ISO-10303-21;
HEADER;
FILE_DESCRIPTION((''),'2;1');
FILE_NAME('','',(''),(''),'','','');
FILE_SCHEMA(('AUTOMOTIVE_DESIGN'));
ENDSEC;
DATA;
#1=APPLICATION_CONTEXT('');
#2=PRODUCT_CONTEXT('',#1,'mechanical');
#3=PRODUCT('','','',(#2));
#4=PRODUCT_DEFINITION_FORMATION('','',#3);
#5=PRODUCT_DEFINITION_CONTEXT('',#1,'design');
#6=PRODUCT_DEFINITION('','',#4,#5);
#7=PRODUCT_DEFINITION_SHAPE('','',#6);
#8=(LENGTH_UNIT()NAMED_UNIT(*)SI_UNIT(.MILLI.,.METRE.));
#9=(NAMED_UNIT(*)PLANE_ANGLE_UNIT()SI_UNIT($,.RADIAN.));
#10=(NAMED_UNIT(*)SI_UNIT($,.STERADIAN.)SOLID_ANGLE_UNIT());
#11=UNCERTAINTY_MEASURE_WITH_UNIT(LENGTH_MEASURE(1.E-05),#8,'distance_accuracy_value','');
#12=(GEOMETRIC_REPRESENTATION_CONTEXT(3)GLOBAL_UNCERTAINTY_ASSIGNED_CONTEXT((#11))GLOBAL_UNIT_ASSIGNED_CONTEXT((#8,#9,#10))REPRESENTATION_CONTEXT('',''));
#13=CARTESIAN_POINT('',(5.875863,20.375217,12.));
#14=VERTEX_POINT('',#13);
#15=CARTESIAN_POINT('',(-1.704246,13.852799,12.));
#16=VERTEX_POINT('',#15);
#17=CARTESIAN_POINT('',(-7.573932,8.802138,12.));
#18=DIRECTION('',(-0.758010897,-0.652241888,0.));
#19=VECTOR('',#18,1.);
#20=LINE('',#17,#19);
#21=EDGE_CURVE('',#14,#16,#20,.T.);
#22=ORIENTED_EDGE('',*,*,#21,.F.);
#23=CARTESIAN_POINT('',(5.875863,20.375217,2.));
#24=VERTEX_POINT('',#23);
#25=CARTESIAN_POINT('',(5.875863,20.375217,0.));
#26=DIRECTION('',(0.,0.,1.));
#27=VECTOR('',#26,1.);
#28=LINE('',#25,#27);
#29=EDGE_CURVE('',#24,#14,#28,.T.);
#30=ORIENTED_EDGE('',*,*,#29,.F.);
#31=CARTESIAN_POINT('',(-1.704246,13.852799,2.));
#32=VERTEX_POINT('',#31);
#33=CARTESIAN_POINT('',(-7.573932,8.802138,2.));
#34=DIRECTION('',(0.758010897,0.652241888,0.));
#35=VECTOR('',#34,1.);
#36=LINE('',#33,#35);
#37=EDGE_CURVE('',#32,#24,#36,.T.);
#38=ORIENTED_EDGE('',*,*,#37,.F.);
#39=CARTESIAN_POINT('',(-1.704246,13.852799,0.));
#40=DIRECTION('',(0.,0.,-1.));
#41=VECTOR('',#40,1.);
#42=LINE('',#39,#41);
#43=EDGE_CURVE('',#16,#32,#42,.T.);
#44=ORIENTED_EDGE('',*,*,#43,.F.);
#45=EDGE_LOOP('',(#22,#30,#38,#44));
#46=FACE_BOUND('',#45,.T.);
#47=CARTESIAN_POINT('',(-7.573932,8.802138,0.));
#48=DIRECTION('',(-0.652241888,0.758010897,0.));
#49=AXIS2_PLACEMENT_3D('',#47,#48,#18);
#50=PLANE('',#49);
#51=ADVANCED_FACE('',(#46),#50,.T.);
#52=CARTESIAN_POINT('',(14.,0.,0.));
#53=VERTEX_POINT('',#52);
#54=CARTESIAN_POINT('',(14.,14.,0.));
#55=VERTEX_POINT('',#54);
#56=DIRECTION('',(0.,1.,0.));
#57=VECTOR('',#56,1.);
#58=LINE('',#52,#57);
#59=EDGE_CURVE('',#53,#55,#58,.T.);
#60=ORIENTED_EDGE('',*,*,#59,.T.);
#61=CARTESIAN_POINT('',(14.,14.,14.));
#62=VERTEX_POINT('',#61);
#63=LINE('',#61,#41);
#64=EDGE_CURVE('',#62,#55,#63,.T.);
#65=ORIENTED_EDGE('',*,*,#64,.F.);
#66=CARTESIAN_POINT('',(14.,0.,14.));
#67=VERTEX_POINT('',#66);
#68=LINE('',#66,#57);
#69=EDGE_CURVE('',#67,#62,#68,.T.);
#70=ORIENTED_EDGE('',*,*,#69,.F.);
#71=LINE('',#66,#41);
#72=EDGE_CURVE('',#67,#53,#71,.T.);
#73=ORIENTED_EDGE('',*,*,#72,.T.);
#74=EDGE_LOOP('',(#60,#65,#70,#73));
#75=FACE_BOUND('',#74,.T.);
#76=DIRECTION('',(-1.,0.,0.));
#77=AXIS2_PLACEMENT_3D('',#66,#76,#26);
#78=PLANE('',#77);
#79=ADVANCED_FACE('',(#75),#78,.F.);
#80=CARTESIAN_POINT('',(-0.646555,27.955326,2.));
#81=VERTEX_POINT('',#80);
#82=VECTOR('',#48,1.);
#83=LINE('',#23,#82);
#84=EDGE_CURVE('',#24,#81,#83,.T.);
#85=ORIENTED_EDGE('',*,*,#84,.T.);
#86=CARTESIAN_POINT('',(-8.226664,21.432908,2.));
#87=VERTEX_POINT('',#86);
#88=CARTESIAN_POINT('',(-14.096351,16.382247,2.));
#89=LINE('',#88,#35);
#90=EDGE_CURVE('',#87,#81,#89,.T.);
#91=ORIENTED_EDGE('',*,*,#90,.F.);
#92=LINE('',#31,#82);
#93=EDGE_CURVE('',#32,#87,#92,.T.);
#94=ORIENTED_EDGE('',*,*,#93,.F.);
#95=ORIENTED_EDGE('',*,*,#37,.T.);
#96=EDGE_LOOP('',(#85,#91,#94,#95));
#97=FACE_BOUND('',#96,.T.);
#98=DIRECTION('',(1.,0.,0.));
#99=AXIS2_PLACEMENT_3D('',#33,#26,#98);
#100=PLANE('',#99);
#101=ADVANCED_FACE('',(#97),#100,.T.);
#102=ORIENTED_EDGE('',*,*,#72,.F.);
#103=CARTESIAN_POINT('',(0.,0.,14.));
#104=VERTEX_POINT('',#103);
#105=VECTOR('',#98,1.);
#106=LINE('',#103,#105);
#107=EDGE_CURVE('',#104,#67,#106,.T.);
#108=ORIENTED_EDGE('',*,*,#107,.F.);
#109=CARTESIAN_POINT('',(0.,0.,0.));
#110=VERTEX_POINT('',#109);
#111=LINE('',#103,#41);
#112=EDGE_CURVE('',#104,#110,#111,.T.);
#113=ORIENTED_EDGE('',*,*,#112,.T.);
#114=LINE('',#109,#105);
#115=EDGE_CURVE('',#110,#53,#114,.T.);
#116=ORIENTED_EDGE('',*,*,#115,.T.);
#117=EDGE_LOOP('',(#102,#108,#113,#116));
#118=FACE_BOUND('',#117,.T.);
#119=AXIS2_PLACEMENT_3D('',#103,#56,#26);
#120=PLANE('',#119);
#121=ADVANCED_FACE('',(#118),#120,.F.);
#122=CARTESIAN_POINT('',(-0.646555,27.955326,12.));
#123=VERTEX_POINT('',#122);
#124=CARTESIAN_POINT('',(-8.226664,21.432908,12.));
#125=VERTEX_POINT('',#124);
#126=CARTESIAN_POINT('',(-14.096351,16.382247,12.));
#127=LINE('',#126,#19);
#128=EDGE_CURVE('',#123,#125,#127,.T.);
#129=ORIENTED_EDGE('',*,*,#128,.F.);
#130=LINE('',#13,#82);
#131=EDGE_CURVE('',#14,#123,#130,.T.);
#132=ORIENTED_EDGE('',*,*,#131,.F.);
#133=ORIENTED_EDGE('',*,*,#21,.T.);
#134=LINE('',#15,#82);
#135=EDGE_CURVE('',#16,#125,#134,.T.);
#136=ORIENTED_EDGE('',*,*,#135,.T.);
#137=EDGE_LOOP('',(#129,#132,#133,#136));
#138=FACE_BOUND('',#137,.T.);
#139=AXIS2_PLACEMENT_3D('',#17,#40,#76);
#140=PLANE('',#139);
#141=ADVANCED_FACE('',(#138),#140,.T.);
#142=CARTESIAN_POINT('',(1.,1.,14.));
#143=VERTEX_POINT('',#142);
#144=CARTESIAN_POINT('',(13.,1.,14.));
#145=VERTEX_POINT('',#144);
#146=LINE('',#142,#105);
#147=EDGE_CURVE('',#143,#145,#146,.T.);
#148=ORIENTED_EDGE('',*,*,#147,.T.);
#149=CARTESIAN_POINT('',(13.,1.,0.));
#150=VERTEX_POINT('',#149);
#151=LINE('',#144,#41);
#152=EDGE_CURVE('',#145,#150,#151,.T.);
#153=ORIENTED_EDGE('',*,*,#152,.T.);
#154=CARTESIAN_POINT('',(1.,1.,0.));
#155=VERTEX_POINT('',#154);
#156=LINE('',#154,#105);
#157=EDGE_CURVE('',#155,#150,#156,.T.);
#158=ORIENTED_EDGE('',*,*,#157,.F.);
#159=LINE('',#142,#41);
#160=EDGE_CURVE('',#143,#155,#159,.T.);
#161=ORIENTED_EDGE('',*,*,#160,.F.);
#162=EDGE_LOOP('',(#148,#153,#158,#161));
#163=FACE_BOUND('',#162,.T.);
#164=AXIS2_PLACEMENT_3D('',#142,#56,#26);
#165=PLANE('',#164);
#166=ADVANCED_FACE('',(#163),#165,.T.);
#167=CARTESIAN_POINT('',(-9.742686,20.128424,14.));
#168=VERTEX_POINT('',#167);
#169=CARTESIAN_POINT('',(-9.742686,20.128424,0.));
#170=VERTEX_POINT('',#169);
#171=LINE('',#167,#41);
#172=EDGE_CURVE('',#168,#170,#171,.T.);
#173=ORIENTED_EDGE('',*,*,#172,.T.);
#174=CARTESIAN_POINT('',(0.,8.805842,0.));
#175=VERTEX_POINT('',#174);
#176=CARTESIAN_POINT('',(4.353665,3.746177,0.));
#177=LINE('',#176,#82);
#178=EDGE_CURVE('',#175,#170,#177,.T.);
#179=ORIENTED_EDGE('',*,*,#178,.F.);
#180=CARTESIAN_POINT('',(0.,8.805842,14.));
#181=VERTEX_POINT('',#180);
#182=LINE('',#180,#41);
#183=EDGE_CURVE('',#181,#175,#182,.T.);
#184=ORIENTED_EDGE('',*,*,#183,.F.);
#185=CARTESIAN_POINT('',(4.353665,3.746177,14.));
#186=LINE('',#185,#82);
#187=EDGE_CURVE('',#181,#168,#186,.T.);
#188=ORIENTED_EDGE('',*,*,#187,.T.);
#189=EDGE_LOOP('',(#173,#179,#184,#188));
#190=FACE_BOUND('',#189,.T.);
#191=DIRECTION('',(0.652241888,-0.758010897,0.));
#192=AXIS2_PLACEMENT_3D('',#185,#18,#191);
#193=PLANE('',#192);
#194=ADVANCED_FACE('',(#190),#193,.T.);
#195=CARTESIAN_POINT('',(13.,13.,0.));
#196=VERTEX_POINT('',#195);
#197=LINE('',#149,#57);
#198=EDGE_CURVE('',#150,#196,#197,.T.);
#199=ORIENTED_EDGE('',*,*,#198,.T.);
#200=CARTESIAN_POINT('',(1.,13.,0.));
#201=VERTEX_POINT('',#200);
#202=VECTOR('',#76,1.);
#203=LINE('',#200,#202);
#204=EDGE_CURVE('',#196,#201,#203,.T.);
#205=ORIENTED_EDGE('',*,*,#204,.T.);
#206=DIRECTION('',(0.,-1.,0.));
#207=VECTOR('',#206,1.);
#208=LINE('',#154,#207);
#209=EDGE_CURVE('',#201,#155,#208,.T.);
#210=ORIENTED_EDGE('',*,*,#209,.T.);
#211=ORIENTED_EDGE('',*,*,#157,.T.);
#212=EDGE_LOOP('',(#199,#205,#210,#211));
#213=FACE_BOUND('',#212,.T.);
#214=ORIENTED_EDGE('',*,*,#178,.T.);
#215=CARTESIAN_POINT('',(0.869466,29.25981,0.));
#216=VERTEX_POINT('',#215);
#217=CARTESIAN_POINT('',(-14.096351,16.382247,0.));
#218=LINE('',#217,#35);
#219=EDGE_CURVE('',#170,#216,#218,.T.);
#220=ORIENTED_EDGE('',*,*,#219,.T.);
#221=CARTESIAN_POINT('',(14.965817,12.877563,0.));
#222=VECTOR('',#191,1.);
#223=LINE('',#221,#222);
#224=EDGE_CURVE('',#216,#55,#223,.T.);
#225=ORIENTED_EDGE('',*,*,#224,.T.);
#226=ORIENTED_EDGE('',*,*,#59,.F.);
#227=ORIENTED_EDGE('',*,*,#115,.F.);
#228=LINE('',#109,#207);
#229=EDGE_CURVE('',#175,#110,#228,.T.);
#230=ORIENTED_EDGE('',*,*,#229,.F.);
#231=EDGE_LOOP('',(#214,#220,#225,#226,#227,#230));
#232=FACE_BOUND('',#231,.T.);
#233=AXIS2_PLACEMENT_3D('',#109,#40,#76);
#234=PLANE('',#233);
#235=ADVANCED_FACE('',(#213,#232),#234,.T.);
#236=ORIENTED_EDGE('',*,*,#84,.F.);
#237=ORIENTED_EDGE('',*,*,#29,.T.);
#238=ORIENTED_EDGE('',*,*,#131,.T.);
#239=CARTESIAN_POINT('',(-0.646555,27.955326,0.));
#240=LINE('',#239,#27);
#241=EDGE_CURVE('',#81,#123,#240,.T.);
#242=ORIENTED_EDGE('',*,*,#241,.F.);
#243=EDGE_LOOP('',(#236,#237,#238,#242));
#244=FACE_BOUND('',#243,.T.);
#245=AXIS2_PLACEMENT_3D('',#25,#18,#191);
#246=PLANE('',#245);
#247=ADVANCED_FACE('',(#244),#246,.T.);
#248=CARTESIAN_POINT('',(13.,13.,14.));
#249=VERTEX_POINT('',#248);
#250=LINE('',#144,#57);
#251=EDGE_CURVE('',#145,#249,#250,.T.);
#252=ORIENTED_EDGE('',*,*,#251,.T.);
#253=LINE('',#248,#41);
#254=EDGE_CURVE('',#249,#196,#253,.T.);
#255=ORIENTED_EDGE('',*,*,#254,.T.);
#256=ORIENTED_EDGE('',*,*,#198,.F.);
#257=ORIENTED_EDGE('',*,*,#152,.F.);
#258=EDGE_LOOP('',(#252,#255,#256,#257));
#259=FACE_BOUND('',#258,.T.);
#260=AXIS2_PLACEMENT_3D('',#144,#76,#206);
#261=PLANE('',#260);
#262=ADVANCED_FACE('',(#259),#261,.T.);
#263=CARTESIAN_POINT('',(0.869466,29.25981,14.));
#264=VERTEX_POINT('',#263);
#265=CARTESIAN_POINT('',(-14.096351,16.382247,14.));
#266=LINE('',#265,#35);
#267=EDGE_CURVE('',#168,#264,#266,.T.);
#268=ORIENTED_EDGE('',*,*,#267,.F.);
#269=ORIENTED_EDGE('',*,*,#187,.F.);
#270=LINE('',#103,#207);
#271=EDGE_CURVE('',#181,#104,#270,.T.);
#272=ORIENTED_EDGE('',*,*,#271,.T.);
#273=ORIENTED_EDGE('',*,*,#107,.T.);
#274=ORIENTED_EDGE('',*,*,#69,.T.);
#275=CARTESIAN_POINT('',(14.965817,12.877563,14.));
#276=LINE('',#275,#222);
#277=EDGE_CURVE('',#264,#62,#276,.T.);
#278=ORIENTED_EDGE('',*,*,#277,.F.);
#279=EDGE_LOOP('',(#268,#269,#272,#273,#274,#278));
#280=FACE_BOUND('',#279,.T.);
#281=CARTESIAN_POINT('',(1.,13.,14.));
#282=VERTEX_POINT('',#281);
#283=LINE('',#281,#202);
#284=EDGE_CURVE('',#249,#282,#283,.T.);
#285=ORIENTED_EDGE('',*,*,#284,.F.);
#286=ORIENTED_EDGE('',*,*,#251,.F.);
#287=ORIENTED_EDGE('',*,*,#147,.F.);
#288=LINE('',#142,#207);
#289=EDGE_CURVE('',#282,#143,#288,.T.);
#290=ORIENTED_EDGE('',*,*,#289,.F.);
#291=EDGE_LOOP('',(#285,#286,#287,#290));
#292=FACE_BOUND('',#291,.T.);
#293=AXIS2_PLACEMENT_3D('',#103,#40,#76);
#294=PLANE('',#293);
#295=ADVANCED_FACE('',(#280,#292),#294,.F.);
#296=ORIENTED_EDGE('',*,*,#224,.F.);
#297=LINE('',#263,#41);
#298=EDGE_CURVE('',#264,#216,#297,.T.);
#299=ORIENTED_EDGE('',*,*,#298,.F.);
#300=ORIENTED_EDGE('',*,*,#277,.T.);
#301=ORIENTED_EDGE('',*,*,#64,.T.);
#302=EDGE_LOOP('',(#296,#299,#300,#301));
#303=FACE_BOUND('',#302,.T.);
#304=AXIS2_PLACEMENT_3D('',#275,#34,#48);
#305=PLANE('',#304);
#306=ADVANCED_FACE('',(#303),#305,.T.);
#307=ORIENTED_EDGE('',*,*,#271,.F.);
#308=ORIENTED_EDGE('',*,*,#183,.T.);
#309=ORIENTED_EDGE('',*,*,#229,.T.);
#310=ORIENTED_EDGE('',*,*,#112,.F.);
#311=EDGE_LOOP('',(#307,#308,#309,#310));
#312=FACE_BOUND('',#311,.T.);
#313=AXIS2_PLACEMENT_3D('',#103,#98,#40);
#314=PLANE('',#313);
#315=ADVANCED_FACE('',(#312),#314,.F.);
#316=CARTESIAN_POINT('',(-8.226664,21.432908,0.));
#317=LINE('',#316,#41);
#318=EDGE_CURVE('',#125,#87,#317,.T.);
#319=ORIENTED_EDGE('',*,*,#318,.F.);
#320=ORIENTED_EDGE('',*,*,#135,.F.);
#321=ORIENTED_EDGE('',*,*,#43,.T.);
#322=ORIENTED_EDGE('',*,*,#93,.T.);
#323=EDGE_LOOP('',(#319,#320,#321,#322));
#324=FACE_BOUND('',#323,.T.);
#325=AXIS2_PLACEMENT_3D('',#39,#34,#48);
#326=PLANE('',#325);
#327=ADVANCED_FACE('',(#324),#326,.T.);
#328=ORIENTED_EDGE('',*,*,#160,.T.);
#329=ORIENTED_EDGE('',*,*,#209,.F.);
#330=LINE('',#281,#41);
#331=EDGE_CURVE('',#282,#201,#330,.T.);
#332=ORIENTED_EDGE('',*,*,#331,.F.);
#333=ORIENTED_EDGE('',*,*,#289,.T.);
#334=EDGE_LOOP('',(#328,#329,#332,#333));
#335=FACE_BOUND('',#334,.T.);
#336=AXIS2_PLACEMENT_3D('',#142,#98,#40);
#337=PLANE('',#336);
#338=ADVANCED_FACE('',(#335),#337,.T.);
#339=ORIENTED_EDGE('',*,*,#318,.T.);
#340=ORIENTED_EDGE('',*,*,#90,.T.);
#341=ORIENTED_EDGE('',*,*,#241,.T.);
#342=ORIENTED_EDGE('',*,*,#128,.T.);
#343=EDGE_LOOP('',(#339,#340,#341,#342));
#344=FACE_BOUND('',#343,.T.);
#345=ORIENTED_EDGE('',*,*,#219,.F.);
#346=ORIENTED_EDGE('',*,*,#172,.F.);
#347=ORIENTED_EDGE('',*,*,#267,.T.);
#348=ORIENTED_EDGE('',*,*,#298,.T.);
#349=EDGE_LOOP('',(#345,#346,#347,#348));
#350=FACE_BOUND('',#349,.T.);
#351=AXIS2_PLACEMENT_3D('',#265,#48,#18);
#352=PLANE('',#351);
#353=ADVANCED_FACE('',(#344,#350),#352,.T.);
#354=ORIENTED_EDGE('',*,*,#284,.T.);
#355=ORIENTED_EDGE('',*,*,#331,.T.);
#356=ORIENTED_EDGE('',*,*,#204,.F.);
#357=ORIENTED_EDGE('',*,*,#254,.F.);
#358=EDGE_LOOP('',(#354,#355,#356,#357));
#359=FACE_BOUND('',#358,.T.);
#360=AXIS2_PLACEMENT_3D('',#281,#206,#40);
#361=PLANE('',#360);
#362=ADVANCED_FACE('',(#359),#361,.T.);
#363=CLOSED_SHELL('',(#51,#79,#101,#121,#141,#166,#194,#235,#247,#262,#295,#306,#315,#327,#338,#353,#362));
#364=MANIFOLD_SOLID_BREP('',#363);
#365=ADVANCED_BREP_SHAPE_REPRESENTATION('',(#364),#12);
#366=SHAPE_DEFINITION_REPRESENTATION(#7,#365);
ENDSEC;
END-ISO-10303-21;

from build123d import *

# Parameters (mm, degrees)
SKETCH_1_W          = 14
SKETCH_1_H          = 14
SKETCH_1_W_2        = 12
SKETCH_1_H_2        = 12
EXTRUDE_1_DEPTH     = 14
EXTRUDE_3_DEPTH     = 14
SKETCH_3_W          = 10
SKETCH_3_H          = 10
CUT_EXTRUDE_1_DEPTH = 10


with BuildPart() as part:
    # 草图1 → 凸台-拉伸1 (new body)
    with BuildSketch(Plane.XY):
        with Locations((7, 7)):
            Rectangle(SKETCH_1_W, SKETCH_1_H)
        with Locations((7, 7)):
            Rectangle(SKETCH_1_W_2, SKETCH_1_H_2, mode=Mode.SUBTRACT)
    extrude(amount=EXTRUDE_1_DEPTH)

    # 草图2 → 凸台-拉伸3 (add)
    with BuildSketch(Plane(origin=(0, 0, 0), x_dir=(-1, 0, 0), z_dir=(0, 0, -1))):
        Polygon((-0.869466018, 29.259809863), (-8.044126787, 20.92169), (0, 14), (2.568025419, 11.790303866), (9.742686188, 20.128423729), align=None)
        Polygon((-13.999999155, 14), (-8.044126787, 20.92169), (0, 14), align=None)
        Polygon((2.568025419, 11.790303866), (0, 14), (0, 8.805841681), align=None)
    extrude(amount=-EXTRUDE_3_DEPTH)

    # 草图3 → 切除-拉伸1 (cut)
    with BuildSketch(Plane(origin=(-14.096351186, 16.382247136, 0), x_dir=(0.75801089666448, 0.6522418880583423, 0), z_dir=(-0.6522418880583423, 0.75801089666448, 0))):
        with Locations((12.743538804, -7)):
            Rectangle(SKETCH_3_W, SKETCH_3_H)
    extrude(amount=-CUT_EXTRUDE_1_DEPTH, mode=Mode.SUBTRACT)


solid = part.part
